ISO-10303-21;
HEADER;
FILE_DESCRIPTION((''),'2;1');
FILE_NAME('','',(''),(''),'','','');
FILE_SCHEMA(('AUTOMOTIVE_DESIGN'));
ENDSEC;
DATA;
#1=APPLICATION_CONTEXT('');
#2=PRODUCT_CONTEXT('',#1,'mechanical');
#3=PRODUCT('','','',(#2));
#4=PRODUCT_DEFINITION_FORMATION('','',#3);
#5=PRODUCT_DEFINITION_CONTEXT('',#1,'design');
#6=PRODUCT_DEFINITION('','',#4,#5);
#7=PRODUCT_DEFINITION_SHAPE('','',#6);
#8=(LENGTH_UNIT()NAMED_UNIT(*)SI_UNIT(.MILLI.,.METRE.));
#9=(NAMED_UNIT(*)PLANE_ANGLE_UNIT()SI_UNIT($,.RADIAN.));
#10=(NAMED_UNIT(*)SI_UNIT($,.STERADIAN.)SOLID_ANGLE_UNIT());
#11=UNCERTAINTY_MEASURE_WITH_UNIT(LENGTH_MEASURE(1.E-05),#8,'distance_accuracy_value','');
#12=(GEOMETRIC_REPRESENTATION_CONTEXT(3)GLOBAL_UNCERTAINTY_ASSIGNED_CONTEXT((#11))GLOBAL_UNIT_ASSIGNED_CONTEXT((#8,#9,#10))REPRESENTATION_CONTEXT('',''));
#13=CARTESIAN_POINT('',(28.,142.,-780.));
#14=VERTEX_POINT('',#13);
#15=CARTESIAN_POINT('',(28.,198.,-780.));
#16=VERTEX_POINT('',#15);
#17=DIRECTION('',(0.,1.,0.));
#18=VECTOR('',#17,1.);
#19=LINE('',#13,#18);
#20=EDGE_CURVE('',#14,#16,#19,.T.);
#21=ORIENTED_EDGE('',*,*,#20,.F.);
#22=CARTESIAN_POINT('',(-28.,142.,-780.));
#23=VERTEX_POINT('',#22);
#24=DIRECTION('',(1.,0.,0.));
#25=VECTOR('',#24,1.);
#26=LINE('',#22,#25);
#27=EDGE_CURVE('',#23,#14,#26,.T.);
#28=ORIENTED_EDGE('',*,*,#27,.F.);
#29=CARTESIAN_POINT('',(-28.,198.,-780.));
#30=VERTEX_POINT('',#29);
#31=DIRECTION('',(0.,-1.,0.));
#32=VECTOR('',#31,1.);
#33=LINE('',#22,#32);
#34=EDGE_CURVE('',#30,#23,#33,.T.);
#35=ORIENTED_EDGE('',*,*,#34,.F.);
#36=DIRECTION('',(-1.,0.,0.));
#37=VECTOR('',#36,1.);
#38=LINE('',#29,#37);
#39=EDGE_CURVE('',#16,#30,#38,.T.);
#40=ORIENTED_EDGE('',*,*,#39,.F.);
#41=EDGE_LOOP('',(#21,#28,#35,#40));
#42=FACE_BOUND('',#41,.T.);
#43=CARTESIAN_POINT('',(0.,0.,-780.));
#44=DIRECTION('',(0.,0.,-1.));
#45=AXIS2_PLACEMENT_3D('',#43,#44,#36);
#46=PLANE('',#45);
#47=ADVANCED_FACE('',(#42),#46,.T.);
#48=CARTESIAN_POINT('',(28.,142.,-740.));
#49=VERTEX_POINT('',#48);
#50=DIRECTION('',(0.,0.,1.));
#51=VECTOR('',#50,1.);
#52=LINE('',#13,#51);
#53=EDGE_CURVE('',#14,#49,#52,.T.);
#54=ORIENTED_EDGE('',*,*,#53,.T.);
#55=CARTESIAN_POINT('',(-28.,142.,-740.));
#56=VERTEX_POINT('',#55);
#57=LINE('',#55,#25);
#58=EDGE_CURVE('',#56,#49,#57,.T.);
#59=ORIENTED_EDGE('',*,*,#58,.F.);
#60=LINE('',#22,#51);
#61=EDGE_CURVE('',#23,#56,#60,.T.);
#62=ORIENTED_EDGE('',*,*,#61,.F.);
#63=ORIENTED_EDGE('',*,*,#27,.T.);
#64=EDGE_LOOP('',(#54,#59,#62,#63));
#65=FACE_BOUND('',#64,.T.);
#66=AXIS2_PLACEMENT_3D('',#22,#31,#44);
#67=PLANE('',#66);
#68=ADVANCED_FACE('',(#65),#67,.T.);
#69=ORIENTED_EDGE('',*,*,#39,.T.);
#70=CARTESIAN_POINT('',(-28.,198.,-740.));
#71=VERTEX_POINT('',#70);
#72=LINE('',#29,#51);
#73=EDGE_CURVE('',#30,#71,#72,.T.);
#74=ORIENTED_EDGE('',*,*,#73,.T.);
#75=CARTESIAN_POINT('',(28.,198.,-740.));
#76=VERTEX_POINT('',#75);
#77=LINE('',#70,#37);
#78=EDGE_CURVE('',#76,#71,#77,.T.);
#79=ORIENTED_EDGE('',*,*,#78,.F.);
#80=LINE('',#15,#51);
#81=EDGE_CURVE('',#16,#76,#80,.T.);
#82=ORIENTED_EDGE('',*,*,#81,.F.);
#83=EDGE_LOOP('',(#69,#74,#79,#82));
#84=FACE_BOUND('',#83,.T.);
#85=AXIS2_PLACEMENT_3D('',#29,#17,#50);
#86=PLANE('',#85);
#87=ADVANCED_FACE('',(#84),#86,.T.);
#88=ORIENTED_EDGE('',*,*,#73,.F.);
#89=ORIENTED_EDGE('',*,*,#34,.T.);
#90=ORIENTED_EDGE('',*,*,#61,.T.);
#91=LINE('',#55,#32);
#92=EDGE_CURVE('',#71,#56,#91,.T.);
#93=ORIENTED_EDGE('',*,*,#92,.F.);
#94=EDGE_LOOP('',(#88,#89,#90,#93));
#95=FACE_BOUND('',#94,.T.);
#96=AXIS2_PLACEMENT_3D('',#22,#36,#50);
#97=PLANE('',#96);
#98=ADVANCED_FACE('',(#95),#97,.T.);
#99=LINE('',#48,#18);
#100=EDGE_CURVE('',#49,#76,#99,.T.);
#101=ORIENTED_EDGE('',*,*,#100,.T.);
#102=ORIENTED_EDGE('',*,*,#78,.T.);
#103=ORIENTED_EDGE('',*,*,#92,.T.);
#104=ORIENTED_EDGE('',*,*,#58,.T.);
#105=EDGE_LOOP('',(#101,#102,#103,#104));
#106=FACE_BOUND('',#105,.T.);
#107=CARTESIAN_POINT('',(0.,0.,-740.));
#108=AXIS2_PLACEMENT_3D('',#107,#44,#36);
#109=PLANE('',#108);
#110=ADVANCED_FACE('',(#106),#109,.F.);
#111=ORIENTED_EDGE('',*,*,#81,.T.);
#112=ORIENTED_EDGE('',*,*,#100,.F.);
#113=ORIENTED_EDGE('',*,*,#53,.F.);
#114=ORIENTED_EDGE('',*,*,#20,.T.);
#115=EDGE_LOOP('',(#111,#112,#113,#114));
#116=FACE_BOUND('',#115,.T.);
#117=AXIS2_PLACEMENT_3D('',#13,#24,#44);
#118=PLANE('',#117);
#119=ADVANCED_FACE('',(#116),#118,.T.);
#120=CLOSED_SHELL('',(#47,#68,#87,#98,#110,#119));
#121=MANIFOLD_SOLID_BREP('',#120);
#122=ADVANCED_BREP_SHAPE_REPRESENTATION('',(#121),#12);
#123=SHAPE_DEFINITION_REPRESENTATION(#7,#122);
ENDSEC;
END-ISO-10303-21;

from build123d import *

# Parameters (mm, degrees)
SM_MOTOR_TARAK_57X57X40_1_START = -740
SKETCH1_W                       = 56
SKETCH1_H                       = 56
SM_MOTOR_TARAK_57X57X40_1_DEPTH = 40


with BuildPart() as part:
    # Sketch1 → SM_motor_tarak_57x57x40_1 (new body)
    with BuildSketch(Plane.XY.offset(SM_MOTOR_TARAK_57X57X40_1_START)):
        with Locations((0, 170)):
            Rectangle(SKETCH1_W, SKETCH1_H)
    extrude(amount=-SM_MOTOR_TARAK_57X57X40_1_DEPTH)


solid = part.part
